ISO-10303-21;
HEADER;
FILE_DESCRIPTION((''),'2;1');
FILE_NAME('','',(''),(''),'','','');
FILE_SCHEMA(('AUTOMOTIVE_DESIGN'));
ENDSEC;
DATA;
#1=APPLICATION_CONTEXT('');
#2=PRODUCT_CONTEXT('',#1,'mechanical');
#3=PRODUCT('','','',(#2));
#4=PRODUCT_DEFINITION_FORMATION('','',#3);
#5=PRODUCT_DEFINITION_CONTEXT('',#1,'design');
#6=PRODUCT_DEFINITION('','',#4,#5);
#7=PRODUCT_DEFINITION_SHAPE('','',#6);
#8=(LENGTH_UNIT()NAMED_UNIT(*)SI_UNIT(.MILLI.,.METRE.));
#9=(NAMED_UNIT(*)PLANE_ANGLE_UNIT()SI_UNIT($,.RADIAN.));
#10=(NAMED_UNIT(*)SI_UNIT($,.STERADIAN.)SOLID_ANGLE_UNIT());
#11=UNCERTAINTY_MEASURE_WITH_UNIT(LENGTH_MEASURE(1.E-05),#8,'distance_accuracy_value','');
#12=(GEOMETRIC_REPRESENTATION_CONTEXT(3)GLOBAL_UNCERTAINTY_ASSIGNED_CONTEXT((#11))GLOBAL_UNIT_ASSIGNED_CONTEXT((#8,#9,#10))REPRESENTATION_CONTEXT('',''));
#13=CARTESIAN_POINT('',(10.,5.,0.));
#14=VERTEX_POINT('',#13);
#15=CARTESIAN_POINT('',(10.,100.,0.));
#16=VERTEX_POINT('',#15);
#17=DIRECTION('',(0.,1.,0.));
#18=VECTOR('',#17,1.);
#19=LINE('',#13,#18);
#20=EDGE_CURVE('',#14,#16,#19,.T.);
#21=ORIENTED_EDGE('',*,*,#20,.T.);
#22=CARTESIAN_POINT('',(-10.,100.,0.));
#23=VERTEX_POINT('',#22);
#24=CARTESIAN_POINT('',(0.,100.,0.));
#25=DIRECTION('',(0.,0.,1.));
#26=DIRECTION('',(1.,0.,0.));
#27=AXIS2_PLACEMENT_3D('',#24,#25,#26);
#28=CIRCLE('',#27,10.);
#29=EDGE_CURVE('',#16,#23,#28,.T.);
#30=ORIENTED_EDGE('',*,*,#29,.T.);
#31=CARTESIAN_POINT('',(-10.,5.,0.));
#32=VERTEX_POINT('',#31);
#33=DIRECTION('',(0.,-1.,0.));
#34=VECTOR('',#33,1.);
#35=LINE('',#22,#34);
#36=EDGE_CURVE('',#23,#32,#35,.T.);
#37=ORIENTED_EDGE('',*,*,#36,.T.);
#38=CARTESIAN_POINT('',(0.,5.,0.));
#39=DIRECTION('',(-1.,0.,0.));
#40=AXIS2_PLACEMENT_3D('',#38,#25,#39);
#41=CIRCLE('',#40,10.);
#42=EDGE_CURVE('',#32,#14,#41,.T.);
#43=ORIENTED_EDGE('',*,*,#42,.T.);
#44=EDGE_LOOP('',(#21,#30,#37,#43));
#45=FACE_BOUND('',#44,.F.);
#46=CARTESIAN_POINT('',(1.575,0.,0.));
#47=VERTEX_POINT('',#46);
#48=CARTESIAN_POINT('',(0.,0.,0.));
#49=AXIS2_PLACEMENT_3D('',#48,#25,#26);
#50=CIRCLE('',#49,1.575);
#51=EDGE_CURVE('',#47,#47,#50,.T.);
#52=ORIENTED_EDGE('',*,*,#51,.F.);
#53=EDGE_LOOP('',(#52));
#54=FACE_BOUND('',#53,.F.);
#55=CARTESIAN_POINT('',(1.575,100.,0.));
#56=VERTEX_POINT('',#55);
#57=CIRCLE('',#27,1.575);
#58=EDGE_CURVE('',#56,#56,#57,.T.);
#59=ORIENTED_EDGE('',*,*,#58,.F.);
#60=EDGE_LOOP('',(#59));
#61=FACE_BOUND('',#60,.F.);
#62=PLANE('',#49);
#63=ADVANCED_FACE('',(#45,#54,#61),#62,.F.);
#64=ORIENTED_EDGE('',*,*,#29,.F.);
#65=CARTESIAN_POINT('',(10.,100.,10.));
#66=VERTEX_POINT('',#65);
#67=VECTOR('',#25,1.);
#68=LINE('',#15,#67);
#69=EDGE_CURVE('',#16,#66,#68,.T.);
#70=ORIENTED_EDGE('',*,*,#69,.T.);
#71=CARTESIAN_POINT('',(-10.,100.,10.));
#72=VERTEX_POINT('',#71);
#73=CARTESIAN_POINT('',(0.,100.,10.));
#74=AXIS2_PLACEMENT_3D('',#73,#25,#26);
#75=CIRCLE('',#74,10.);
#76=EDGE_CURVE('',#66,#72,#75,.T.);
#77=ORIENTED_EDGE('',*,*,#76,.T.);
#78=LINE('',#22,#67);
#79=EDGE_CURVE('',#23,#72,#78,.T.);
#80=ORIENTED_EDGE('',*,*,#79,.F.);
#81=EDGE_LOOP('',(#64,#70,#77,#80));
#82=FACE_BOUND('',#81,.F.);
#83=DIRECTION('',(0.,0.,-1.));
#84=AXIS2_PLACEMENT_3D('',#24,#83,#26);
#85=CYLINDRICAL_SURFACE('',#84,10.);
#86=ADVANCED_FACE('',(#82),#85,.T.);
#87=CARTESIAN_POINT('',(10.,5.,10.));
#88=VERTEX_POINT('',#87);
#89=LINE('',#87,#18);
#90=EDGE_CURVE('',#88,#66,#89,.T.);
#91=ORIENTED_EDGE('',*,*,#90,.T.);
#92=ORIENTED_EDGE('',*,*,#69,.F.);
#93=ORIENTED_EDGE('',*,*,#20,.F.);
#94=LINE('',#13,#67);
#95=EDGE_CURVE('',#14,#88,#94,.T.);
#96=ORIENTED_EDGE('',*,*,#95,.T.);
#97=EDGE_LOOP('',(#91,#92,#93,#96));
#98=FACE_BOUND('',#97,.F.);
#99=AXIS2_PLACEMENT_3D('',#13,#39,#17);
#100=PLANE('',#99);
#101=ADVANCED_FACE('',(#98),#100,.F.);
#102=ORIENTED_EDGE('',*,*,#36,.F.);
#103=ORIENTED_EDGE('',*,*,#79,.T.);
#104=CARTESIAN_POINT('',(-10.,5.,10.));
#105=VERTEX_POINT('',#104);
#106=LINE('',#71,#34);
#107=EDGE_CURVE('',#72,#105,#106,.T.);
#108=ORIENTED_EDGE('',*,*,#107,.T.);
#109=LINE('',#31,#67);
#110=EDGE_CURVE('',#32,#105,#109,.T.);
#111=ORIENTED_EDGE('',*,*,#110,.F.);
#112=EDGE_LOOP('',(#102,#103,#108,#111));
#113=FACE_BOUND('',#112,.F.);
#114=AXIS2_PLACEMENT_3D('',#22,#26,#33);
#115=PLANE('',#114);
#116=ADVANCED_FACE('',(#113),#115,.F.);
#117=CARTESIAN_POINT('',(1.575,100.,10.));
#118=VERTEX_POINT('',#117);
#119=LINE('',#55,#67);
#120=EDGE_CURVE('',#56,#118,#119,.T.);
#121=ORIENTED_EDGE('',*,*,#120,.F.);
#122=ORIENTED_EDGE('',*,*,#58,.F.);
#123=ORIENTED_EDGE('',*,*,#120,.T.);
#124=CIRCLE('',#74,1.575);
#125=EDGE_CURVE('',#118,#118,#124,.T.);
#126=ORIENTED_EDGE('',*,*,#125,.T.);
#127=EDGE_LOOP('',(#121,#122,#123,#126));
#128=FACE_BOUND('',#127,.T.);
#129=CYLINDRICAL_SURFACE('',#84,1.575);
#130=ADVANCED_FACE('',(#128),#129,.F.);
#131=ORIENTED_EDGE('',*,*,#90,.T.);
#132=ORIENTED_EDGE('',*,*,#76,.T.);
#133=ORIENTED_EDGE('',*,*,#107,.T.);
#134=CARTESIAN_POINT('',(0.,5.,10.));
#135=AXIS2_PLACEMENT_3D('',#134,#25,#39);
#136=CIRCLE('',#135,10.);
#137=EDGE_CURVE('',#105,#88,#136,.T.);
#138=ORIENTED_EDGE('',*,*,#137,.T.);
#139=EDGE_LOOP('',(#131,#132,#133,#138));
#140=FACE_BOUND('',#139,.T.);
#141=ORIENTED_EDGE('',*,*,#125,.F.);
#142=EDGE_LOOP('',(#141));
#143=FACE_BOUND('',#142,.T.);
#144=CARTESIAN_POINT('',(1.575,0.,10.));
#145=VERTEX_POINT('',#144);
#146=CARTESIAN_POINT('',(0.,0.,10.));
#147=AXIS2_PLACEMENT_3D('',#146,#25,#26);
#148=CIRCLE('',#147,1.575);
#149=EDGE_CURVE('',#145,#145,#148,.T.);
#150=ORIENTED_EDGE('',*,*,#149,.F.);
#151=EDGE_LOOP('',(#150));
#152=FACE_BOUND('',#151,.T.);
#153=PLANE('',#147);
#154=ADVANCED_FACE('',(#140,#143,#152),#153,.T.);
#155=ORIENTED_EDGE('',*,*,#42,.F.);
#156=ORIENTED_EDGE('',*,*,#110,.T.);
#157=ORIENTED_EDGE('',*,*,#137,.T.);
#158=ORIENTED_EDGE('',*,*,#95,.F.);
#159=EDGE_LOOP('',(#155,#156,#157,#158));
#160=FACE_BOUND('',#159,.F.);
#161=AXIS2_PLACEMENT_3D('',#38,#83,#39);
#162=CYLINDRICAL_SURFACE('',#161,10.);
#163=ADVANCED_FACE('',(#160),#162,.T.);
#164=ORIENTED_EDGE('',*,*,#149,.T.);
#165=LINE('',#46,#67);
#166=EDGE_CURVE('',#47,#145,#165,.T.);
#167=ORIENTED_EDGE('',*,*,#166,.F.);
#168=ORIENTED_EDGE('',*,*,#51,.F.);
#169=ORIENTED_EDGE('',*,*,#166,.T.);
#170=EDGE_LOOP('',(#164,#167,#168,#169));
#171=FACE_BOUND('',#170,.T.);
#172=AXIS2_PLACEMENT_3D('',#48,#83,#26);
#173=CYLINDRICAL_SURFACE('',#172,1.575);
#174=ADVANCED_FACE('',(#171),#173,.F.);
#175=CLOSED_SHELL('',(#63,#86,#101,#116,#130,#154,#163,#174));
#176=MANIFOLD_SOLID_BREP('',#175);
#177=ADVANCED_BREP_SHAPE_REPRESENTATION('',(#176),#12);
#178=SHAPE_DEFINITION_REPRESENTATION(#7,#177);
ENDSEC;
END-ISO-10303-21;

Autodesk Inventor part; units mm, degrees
ref_plane "YZ Plane" through (0, 0, 0) normal (1, 0, 0) x (0, 1, 0)
ref_plane "XZ Plane" through (0, 0, 0) normal (0, 1, 0) x (-1, 0, 0)
ref_plane "XY Plane" through (0, 0, 0) normal (0, 0, 1) x (1, 0, 0)
sketch "Эскиз1" plane through (0, 0, 0) normal (0, 0, 1) x (1, 0, 0)
  circle A0 centre (0, 0) radius 5 construction
  circle A1 centre (0, 0) radius 1.575 projected
  line L0 (343.1024, 82) -> (-136.8976, 82) construction
  line L1 (0, -5) -> (0, 110) construction
  line L2 (10, 5) -> (10, 100)
  line L3 (-10, 100) -> (-10, 5)
  arc A2 (-10, 5) -> (10, 5) centre (0, 5) ccw
  arc A3 (10, 100) -> (-10, 100) centre (0, 100) ccw
  circle A4 centre (0, 100) radius 1.575
  point P0 (0, 0)
  point P1 (0, 52.5)
  dimension "d0" = 115
  dimension "d1" = 20
extrude "Выдавливание1" add sketch "Эскиз1" along normal blind 10
properties part number "шатун"
